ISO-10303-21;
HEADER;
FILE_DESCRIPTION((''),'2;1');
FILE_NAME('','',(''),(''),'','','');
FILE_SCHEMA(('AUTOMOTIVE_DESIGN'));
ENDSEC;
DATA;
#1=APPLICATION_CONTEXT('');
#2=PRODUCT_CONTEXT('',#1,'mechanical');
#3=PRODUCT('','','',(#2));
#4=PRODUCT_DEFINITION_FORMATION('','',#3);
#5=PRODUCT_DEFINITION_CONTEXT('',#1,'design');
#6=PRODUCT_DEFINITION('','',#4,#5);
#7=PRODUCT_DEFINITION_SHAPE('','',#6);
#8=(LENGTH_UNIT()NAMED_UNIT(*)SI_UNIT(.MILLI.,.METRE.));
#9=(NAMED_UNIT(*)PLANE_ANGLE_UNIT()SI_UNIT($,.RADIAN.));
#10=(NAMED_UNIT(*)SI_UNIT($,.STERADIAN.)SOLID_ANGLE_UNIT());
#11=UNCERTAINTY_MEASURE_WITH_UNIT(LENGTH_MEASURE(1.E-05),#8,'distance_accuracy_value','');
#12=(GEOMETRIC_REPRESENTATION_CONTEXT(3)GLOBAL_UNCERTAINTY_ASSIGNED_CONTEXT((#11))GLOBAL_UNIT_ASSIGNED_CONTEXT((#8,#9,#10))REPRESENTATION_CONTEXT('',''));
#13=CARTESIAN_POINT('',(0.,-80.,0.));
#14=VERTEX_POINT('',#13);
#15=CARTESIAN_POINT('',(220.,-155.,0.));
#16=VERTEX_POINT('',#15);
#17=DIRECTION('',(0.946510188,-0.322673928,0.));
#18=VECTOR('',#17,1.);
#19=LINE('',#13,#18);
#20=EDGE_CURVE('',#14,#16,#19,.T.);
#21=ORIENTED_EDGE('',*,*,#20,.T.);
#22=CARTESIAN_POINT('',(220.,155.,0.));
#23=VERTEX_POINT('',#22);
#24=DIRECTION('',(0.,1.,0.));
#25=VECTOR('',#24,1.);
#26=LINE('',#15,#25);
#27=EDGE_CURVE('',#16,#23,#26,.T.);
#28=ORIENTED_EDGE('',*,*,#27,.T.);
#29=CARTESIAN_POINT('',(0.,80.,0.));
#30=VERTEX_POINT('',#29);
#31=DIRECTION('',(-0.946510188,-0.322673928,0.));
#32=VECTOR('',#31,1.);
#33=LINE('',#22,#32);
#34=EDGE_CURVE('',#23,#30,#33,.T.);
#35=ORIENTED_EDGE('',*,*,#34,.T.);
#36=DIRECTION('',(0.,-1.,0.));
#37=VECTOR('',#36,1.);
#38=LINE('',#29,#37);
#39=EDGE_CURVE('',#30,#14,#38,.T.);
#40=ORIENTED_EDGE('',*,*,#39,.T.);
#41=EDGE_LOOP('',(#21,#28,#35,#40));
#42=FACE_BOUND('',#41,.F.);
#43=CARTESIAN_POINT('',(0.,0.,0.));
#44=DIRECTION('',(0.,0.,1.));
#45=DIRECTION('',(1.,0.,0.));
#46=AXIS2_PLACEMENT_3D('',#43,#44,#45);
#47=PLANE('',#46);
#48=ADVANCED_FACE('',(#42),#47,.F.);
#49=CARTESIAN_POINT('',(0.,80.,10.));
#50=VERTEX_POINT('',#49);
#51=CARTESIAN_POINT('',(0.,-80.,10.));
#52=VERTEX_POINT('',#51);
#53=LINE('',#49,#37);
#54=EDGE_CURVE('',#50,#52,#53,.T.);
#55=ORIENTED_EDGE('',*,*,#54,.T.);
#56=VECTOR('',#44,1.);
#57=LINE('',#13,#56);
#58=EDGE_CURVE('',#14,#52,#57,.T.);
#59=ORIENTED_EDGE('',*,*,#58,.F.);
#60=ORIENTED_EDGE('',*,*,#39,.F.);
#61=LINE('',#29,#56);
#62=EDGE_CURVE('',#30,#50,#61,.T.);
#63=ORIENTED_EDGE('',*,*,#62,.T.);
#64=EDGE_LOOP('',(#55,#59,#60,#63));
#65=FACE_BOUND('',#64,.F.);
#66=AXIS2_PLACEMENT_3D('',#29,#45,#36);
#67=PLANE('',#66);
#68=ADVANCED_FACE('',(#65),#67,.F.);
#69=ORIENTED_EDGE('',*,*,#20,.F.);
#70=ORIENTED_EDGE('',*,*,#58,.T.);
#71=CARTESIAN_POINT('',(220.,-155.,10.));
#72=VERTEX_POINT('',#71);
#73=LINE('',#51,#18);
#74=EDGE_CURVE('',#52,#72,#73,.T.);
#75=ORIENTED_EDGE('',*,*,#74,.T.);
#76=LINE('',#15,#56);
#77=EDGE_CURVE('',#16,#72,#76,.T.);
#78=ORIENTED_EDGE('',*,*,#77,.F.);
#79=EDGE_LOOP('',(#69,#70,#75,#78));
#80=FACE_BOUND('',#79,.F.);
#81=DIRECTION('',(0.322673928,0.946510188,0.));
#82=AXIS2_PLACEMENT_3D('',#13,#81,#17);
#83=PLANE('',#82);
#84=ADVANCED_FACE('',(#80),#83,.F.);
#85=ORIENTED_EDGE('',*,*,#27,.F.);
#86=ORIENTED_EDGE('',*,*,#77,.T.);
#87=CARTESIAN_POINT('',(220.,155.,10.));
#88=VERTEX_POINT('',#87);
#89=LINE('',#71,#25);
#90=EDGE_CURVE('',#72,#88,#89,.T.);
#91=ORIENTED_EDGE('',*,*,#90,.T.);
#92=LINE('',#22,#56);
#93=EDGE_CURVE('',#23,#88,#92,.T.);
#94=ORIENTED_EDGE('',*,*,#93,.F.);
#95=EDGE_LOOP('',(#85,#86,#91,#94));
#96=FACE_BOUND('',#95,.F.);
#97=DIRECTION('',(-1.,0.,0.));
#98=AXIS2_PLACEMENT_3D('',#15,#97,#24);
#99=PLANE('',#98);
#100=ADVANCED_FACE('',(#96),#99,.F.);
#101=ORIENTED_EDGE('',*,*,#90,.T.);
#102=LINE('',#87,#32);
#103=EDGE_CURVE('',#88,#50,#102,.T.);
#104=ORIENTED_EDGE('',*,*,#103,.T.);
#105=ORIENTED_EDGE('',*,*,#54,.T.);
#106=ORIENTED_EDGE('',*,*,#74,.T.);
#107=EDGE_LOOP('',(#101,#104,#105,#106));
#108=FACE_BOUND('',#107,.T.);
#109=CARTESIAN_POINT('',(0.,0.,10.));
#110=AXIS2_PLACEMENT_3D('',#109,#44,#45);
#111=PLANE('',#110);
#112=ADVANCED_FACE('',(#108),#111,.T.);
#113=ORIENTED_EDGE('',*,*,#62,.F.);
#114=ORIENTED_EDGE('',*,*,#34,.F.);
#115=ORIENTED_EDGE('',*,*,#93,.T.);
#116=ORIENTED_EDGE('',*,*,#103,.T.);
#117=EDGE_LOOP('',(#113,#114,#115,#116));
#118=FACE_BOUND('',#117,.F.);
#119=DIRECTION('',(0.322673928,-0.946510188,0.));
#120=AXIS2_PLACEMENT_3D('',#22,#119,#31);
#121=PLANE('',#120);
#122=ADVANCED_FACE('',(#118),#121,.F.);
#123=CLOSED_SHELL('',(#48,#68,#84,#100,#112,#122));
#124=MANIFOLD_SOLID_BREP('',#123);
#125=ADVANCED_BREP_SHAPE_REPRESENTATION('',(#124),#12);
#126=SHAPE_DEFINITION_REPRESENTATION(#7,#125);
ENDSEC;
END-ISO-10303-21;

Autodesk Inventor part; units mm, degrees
ref_plane "YZ Plane" through (0, 0, 0) normal (1, 0, 0) x (0, 1, 0)
ref_plane "XZ Plane" through (0, 0, 0) normal (0, 1, 0) x (-1, 0, 0)
ref_plane "XY Plane" through (0, 0, 0) normal (0, 0, 1) x (1, 0, 0)
sketch "Sketch1" plane through (0, 0, 0) normal (0, 0, 1) x (1, 0, 0)
  line L0 (0, 80) -> (0, -80)
  line L1 (0, -80) -> (220, -155)
  line L2 (220, -155) -> (220, 155)
  line L3 (220, 155) -> (0, 80)
  point P0 (0, 0)
  point P1 (0, 0)
  dimension "d0" = 160
  dimension "d1" = 310
  dimension "d2" = 220
extrude "Extrusion1" add sketch "Sketch1" along normal blind 10
properties part number "weight"
